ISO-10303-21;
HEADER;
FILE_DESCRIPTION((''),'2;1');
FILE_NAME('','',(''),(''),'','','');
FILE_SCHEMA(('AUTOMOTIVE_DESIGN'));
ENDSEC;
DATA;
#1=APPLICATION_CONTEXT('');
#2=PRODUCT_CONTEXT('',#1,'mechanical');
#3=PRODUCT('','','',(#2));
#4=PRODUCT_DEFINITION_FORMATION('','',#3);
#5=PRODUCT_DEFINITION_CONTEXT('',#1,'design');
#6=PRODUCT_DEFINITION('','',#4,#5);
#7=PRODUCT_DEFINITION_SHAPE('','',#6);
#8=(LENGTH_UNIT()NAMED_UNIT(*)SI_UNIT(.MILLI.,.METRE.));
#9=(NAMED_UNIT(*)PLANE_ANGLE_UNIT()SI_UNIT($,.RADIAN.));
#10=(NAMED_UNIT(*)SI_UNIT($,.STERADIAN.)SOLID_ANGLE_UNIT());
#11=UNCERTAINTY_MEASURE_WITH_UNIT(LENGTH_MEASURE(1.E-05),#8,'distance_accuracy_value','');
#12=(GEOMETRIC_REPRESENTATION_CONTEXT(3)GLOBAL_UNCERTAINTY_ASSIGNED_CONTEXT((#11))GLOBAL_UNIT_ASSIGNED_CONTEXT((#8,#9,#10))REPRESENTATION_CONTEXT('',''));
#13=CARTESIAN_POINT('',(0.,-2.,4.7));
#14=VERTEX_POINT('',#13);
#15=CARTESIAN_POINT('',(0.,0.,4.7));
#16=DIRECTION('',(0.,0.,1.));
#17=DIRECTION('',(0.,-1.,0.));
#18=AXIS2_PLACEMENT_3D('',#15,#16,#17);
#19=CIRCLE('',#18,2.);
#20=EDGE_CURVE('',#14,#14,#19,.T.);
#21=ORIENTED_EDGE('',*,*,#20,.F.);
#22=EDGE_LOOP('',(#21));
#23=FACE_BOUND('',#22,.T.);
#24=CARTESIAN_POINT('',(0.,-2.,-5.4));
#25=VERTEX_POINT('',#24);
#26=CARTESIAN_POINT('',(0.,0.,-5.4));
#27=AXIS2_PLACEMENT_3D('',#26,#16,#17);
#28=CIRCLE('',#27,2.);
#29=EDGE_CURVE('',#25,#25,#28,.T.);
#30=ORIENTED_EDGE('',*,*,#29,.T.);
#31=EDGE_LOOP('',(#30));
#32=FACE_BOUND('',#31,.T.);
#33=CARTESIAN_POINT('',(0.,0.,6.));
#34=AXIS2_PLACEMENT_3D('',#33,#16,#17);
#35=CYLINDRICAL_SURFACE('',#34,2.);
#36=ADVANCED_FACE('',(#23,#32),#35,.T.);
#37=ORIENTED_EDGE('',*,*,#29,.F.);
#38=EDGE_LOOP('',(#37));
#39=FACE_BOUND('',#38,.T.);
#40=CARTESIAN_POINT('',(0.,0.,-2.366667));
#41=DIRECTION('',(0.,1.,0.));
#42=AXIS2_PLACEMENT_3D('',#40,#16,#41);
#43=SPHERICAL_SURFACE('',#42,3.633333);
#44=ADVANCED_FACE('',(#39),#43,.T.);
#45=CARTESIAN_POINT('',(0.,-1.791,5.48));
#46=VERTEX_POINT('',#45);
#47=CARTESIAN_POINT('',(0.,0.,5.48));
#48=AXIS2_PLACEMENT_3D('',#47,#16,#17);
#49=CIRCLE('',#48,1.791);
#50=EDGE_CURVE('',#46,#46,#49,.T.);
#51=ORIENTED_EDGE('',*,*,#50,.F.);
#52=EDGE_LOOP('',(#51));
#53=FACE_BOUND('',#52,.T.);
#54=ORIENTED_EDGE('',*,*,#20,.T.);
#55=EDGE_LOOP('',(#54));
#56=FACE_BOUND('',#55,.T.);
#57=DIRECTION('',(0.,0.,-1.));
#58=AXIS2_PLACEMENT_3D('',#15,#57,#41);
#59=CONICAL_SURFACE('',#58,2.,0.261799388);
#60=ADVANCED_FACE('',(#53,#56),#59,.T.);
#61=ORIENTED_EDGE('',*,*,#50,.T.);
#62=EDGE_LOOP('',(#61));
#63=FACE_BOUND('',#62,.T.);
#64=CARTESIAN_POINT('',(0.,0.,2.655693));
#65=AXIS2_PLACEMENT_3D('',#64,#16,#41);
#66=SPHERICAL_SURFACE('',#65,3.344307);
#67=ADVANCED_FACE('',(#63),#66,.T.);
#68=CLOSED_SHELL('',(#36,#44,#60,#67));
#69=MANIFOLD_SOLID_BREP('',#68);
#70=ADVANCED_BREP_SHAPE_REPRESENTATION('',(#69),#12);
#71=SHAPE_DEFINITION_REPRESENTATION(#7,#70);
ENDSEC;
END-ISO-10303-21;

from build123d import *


with BuildPart() as part:
    # Sketch3 → Revolve1 (revolve)
    with BuildSketch(Plane(origin=(0, 0, 0), x_dir=(0, 0, -1), z_dir=(1, 0, 0))):
        with BuildLine():
            Line((-6, 0), (6, 0))
            ThreePointArc((6, 0), (5.846768836, 1.044030651), (5.4, 2))
            Line((5.4, 2), (-4.7, 2))
            Line((-4.7, 2), (-5.48, 1.79099963))
            ThreePointArc((-5.48, 1.79099963), (-5.867370053, 0.932480519), (-6, 0))
        make_face()
    revolve(axis=Axis((0, 0, 6), (0, 0, -1)))


solid = part.part
